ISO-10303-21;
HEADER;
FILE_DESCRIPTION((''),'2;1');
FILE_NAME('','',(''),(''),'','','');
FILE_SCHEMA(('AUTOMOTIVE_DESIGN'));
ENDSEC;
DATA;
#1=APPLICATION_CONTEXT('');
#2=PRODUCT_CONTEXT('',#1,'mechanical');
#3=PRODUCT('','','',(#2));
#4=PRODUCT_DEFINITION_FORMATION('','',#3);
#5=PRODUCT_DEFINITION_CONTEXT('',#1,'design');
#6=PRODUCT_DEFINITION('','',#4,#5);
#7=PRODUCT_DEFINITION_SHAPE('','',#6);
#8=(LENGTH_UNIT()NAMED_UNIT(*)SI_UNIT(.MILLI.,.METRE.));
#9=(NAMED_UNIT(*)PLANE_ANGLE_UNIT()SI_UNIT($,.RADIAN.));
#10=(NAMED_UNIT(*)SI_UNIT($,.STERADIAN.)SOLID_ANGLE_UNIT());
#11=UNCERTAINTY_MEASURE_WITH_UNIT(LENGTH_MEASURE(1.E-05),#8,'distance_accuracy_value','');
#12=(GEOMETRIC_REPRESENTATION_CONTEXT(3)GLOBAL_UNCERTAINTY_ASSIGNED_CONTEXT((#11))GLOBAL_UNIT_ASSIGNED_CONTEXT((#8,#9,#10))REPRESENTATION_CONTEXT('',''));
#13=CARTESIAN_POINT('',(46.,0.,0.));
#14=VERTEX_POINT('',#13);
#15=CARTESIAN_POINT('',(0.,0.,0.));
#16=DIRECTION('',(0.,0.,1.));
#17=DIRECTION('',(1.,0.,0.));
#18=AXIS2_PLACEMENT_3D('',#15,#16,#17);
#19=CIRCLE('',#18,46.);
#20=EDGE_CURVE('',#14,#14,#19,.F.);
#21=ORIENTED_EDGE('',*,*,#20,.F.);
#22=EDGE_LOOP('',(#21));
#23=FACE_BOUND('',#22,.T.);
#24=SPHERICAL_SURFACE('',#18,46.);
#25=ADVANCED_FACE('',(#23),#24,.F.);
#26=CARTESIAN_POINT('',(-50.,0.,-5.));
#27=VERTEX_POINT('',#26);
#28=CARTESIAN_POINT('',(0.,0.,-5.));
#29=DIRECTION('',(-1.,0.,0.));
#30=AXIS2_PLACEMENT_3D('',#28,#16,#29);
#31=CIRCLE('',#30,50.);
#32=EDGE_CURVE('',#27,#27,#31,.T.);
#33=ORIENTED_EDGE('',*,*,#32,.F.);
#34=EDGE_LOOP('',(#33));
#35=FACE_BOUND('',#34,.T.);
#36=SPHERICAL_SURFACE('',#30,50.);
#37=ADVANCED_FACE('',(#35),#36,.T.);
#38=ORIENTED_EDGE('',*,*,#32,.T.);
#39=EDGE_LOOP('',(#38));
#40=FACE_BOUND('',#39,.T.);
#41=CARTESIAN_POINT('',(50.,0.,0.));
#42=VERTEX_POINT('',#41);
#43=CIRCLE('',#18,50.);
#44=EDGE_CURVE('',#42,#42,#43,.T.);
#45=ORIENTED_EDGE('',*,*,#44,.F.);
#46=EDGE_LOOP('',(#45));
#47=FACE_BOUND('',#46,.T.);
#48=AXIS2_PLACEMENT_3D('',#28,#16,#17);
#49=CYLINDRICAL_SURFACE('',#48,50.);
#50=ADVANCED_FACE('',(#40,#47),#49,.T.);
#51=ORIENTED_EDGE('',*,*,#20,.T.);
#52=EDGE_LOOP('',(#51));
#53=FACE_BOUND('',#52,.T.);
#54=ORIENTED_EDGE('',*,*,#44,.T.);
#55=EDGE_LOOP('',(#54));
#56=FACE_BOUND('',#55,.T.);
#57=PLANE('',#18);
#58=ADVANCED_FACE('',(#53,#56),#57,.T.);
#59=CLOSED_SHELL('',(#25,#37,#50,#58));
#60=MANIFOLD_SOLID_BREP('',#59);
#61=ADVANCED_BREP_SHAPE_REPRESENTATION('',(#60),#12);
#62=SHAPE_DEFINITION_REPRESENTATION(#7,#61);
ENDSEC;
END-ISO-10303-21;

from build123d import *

# Parameters (mm, degrees)
SKETCH1_R           = 50
BOSS_EXTRUDE1_DEPTH = 5
REVOLVE1_ANGLE      = 180


with BuildPart() as part:
    # Sketch1 → Boss-Extrude1 (new body)
    with BuildSketch(Plane.XY):
        Circle(SKETCH1_R)
    extrude(amount=-BOSS_EXTRUDE1_DEPTH)

    # Sketch2 → Revolve1 (revolve)
    with BuildSketch(Plane(origin=(0, 0, -5), x_dir=(-1, 0, 0), z_dir=(0, 0, -1))):
        with BuildLine():
            Line((0, -50), (0, 50))
            ThreePointArc((0, 50), (50, 0), (0, -50))
        make_face()
    revolve(axis=Axis((0, -50, -5), (0, -1, 0)), revolution_arc=REVOLVE1_ANGLE)

    # Sketch4 → Cut-Revolve1 (revolve, cut)
    with BuildSketch(Plane.XY):
        with BuildLine():
            Line((0, -46), (0, 46))
            ThreePointArc((0, 46), (46, 0), (0, -46))
        make_face()
    revolve(axis=Axis((0, -46, 0), (0, 1, 0)), mode=Mode.SUBTRACT)


solid = part.part
